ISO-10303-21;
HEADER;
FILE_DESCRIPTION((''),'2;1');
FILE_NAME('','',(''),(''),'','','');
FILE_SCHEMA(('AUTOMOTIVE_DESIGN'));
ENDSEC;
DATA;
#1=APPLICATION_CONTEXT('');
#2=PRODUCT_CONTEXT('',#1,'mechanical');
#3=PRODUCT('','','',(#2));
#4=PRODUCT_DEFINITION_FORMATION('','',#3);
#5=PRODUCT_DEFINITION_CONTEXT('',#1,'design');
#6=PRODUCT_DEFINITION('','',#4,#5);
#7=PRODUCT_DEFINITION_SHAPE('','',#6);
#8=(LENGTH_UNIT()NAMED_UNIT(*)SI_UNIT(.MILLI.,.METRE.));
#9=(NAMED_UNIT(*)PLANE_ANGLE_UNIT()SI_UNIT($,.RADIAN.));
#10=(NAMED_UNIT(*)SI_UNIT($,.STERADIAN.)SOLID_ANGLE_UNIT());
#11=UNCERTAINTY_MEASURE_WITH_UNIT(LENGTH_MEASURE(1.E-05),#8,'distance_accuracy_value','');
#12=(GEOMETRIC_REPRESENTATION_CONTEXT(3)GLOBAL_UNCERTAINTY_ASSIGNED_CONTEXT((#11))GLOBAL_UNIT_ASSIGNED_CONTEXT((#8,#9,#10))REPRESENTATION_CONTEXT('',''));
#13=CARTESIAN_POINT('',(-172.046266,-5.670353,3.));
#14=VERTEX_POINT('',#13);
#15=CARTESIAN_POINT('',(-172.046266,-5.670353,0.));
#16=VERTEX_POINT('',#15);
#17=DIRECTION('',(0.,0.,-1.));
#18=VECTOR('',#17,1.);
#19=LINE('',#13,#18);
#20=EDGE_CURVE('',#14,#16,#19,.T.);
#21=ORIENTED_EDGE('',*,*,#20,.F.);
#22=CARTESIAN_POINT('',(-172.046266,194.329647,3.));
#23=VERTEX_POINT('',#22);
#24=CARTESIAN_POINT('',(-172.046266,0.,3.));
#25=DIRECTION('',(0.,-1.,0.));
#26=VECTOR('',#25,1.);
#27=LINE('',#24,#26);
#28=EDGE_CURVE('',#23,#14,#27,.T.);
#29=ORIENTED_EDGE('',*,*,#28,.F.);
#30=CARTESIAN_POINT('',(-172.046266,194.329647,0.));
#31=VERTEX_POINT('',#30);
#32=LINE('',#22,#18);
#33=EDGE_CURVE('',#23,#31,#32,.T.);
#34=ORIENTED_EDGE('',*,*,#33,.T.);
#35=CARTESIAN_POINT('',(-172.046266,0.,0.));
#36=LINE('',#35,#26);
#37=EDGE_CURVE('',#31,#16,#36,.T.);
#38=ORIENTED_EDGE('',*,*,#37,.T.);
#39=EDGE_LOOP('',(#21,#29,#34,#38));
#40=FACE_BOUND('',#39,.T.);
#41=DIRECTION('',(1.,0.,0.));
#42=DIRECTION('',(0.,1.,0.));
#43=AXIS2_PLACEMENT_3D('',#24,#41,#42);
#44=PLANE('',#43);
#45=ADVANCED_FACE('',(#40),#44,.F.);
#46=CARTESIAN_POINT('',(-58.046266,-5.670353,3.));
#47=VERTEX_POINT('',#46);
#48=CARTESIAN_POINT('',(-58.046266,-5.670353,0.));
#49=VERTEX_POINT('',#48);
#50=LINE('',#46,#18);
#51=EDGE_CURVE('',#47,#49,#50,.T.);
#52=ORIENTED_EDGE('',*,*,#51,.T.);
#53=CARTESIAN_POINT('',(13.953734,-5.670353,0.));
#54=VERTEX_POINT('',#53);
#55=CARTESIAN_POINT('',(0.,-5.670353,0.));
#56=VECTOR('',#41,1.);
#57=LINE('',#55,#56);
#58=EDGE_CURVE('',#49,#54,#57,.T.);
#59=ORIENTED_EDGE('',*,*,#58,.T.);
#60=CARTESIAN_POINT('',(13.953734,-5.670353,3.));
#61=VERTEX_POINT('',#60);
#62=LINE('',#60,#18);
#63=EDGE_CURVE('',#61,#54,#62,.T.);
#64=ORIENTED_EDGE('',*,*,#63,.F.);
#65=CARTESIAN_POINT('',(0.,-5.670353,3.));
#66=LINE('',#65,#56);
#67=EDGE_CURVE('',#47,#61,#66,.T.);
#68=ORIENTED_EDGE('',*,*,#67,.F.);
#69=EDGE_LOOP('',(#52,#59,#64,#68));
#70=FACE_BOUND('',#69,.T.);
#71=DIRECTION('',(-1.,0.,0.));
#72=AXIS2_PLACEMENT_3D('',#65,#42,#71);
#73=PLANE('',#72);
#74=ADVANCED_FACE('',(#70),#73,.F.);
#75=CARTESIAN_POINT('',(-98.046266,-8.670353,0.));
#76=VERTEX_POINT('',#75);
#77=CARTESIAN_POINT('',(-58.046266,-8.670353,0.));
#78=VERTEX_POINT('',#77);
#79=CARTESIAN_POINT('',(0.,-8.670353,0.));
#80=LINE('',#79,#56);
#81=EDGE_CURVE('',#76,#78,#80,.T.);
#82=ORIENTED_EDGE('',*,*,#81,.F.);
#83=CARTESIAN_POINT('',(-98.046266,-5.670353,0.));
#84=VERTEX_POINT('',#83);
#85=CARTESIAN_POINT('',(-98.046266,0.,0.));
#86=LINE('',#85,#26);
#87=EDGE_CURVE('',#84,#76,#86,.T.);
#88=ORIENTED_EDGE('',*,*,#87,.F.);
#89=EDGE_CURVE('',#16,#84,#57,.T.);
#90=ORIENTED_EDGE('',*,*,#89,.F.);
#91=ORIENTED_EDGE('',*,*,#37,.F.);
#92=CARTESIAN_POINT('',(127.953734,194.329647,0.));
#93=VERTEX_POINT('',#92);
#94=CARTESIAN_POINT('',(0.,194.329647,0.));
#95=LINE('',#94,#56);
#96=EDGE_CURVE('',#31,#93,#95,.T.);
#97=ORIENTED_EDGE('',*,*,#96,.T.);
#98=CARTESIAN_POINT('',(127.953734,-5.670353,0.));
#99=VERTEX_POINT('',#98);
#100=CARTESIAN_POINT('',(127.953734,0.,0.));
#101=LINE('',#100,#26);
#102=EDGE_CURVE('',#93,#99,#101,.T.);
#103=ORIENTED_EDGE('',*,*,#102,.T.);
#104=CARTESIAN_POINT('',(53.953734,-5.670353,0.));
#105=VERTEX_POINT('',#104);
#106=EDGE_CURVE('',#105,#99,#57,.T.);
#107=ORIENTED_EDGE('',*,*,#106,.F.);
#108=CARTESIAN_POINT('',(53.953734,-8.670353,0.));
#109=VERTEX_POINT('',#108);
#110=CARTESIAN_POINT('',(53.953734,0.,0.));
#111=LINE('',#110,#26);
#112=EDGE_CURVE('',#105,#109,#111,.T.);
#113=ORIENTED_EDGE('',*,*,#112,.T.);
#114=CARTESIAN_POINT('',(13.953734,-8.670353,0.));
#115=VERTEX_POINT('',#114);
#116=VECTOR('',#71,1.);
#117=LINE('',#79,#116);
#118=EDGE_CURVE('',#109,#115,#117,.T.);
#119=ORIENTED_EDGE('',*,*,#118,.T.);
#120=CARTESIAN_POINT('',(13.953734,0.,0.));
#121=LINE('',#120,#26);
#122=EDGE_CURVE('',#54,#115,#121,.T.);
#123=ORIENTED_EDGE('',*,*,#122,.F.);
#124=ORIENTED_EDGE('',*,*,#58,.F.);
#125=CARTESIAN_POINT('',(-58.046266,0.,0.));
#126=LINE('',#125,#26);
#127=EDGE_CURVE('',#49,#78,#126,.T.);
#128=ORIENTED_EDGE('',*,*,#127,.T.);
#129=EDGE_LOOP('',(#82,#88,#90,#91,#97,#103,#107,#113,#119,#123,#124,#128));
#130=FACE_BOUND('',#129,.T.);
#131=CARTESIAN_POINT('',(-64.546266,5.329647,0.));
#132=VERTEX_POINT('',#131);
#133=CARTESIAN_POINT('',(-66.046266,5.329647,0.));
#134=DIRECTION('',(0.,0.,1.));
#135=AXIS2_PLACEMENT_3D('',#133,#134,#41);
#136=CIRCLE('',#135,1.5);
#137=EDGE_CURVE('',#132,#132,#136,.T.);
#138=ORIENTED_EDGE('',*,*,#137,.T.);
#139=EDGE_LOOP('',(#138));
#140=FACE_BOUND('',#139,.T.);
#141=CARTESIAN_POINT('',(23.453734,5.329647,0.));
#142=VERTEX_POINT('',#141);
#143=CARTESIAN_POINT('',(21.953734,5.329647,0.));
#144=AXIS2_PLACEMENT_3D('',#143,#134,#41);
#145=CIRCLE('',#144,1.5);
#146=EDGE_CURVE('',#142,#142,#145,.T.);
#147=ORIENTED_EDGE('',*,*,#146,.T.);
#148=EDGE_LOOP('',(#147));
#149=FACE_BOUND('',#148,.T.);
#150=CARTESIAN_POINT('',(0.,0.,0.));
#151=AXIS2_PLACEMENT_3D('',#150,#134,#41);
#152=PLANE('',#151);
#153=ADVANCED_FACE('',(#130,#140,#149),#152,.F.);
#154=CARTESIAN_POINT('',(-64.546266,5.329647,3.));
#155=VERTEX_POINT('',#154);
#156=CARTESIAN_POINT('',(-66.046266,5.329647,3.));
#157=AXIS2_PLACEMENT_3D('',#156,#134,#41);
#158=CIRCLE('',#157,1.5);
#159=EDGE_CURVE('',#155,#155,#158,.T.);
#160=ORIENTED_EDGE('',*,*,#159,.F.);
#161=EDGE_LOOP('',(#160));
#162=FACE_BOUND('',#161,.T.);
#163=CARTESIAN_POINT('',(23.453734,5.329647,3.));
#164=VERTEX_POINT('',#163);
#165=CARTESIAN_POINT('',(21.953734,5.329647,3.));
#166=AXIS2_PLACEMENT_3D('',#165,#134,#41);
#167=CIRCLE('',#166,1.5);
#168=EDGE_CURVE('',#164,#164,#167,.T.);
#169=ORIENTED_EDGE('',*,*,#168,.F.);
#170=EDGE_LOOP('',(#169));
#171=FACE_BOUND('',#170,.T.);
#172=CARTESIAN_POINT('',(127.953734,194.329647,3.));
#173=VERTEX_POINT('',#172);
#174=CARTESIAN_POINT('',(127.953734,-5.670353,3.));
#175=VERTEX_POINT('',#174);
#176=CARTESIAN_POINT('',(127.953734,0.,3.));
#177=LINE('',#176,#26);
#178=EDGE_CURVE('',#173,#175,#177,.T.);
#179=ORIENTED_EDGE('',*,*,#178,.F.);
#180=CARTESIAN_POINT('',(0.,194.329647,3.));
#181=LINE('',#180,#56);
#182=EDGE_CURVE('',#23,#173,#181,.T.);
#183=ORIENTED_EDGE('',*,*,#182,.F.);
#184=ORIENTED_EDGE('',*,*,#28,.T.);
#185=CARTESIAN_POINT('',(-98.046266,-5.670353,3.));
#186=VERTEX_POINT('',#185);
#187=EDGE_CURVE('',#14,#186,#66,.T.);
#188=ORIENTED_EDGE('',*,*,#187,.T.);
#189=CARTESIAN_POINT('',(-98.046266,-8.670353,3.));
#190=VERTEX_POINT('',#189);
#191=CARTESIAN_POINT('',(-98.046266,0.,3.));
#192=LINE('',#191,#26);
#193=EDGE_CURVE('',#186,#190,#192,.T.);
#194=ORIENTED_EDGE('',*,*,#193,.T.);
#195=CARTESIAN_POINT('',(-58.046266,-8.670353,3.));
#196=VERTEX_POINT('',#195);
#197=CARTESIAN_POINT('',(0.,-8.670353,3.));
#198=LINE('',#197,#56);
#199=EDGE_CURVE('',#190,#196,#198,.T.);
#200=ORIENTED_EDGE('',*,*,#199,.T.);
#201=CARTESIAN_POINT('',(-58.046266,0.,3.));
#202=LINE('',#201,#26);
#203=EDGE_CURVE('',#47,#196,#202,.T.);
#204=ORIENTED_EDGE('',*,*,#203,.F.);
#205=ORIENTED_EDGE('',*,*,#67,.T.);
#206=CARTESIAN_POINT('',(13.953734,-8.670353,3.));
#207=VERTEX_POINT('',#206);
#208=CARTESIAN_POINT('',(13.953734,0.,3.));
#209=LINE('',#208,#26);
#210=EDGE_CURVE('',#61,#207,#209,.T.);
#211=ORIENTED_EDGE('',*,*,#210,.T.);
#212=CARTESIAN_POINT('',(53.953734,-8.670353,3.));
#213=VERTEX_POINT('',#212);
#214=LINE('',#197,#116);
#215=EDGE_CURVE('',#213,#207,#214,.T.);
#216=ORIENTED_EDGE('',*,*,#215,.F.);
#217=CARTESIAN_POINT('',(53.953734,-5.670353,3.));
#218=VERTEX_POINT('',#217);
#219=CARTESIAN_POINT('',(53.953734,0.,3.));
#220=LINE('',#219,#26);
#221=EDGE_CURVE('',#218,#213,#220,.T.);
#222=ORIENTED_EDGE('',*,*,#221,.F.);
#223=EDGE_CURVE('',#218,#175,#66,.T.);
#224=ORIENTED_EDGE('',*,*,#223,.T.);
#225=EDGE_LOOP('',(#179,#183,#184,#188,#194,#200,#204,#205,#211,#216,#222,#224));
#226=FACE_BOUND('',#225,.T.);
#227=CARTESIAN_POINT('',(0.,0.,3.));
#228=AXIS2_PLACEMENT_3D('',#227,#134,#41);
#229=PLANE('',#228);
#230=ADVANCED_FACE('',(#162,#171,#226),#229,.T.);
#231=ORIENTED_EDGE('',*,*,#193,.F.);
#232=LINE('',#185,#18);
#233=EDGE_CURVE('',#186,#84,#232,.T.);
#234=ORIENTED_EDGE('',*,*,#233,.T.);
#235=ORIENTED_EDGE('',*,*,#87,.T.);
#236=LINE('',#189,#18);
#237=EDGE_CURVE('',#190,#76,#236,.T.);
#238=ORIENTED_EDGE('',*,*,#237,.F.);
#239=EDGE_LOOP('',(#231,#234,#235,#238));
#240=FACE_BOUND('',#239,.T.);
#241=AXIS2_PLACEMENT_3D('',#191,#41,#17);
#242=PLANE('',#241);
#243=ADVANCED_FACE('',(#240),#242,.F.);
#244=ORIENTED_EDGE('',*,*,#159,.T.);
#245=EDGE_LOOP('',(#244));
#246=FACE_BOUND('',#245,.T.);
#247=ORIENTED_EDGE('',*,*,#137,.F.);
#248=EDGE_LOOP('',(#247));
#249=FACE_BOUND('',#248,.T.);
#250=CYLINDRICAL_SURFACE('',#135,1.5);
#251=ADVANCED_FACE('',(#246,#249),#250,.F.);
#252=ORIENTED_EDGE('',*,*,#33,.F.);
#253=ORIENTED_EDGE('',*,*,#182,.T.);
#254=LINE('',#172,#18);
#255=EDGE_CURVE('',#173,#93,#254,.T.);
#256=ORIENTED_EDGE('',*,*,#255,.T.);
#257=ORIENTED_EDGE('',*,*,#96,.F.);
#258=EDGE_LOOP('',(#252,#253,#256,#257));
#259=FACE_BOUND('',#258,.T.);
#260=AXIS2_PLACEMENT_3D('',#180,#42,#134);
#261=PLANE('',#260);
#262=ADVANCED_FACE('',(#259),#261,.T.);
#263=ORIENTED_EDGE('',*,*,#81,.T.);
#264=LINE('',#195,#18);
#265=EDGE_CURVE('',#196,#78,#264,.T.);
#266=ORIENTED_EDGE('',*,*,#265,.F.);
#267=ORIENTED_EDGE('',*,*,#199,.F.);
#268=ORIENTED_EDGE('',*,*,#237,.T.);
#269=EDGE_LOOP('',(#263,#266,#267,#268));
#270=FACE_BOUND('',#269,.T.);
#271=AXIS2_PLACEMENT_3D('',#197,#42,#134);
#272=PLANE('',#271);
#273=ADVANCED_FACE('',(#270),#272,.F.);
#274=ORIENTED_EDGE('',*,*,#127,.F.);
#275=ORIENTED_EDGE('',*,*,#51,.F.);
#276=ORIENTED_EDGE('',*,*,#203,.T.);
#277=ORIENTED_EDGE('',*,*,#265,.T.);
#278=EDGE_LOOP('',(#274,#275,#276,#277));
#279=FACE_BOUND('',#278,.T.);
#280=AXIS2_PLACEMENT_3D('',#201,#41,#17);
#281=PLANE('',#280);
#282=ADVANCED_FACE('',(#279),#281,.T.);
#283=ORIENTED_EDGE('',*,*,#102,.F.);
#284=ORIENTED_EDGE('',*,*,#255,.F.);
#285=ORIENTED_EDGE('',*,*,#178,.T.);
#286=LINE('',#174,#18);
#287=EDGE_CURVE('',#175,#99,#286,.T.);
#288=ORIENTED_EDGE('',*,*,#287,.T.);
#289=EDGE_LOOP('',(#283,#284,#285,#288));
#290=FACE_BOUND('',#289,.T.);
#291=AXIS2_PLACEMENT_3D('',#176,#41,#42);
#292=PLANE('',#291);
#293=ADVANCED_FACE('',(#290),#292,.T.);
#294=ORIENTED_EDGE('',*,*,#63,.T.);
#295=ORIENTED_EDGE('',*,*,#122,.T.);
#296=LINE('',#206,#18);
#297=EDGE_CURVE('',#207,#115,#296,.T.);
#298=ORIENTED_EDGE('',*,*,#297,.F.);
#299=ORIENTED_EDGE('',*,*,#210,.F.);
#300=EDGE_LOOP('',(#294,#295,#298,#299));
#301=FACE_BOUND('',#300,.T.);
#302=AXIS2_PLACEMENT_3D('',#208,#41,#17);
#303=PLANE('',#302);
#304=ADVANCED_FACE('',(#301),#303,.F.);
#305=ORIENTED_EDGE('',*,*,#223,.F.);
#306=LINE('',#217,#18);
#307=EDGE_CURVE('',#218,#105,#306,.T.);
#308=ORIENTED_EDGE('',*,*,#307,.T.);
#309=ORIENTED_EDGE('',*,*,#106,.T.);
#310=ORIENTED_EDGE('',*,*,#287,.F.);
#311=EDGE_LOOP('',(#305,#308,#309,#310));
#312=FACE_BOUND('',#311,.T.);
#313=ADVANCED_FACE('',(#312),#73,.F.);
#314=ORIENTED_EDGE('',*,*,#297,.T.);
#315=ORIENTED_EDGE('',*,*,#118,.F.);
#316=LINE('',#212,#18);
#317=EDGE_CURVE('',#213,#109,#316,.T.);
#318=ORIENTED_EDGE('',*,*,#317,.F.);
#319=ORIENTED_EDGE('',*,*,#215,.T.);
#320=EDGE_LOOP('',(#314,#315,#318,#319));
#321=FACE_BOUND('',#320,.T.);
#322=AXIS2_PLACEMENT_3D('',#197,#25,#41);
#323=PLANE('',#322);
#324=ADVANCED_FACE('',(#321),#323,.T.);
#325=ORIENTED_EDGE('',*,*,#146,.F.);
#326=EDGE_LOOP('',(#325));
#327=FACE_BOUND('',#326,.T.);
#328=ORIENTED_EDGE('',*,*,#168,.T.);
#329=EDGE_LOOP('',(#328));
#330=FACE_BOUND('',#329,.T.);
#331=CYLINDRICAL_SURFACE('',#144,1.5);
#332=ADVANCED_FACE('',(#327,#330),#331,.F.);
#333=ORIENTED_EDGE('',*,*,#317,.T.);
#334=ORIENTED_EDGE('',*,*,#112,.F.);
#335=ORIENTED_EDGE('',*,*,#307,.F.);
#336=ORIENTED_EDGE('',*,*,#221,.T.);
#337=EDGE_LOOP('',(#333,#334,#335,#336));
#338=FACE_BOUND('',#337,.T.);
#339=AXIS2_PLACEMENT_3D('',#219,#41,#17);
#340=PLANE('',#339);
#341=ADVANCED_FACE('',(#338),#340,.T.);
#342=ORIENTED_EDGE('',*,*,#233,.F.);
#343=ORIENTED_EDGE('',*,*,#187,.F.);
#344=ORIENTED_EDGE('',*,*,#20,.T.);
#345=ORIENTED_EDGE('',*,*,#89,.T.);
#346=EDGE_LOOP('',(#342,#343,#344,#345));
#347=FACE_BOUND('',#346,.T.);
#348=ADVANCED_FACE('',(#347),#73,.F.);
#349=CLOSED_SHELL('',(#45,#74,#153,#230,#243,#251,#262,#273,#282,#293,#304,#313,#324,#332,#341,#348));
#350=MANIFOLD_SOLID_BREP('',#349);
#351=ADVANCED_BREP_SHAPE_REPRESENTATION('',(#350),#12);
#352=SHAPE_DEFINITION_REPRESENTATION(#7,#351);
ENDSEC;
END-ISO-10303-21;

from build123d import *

# Parameters (mm, degrees)
RESSALTO_EXTRUS_O1_DEPTH = 3
ESBO_O2_R                = 1.5
CORTE_EXTRUS_O1_DEPTH    = 260.562958031


with BuildPart() as part:
    # Esboço1 → Ressalto-extrusão1 (new body)
    with BuildSketch(Plane.XY):
        Polygon((-58.046265604, -5.670353077), (13.953734396, -5.670353077), (13.953734396, -8.670353077), (53.953734396, -8.670353077), (53.953734396, -5.670353077), (127.953734396, -5.670353077), (127.953734396, 194.329646923), (-172.046265604, 194.329646923), (-172.046265604, -5.670353077), (-98.046265604, -5.670353077), (-98.046265604, -8.670353077), (-58.046265604, -8.670353077), align=None)
    extrude(amount=RESSALTO_EXTRUS_O1_DEPTH)

    # Esboço2 → Corte-extrusão1 (cut, through all)
    with BuildSketch(Plane.XY.offset(3)):
        with Locations((-66.046265604, 5.329646923)):
            Circle(ESBO_O2_R)
        with Locations((21.953734396, 5.329646923)):
            Circle(ESBO_O2_R)
    extrude(amount=-CORTE_EXTRUS_O1_DEPTH, mode=Mode.SUBTRACT)


solid = part.part
